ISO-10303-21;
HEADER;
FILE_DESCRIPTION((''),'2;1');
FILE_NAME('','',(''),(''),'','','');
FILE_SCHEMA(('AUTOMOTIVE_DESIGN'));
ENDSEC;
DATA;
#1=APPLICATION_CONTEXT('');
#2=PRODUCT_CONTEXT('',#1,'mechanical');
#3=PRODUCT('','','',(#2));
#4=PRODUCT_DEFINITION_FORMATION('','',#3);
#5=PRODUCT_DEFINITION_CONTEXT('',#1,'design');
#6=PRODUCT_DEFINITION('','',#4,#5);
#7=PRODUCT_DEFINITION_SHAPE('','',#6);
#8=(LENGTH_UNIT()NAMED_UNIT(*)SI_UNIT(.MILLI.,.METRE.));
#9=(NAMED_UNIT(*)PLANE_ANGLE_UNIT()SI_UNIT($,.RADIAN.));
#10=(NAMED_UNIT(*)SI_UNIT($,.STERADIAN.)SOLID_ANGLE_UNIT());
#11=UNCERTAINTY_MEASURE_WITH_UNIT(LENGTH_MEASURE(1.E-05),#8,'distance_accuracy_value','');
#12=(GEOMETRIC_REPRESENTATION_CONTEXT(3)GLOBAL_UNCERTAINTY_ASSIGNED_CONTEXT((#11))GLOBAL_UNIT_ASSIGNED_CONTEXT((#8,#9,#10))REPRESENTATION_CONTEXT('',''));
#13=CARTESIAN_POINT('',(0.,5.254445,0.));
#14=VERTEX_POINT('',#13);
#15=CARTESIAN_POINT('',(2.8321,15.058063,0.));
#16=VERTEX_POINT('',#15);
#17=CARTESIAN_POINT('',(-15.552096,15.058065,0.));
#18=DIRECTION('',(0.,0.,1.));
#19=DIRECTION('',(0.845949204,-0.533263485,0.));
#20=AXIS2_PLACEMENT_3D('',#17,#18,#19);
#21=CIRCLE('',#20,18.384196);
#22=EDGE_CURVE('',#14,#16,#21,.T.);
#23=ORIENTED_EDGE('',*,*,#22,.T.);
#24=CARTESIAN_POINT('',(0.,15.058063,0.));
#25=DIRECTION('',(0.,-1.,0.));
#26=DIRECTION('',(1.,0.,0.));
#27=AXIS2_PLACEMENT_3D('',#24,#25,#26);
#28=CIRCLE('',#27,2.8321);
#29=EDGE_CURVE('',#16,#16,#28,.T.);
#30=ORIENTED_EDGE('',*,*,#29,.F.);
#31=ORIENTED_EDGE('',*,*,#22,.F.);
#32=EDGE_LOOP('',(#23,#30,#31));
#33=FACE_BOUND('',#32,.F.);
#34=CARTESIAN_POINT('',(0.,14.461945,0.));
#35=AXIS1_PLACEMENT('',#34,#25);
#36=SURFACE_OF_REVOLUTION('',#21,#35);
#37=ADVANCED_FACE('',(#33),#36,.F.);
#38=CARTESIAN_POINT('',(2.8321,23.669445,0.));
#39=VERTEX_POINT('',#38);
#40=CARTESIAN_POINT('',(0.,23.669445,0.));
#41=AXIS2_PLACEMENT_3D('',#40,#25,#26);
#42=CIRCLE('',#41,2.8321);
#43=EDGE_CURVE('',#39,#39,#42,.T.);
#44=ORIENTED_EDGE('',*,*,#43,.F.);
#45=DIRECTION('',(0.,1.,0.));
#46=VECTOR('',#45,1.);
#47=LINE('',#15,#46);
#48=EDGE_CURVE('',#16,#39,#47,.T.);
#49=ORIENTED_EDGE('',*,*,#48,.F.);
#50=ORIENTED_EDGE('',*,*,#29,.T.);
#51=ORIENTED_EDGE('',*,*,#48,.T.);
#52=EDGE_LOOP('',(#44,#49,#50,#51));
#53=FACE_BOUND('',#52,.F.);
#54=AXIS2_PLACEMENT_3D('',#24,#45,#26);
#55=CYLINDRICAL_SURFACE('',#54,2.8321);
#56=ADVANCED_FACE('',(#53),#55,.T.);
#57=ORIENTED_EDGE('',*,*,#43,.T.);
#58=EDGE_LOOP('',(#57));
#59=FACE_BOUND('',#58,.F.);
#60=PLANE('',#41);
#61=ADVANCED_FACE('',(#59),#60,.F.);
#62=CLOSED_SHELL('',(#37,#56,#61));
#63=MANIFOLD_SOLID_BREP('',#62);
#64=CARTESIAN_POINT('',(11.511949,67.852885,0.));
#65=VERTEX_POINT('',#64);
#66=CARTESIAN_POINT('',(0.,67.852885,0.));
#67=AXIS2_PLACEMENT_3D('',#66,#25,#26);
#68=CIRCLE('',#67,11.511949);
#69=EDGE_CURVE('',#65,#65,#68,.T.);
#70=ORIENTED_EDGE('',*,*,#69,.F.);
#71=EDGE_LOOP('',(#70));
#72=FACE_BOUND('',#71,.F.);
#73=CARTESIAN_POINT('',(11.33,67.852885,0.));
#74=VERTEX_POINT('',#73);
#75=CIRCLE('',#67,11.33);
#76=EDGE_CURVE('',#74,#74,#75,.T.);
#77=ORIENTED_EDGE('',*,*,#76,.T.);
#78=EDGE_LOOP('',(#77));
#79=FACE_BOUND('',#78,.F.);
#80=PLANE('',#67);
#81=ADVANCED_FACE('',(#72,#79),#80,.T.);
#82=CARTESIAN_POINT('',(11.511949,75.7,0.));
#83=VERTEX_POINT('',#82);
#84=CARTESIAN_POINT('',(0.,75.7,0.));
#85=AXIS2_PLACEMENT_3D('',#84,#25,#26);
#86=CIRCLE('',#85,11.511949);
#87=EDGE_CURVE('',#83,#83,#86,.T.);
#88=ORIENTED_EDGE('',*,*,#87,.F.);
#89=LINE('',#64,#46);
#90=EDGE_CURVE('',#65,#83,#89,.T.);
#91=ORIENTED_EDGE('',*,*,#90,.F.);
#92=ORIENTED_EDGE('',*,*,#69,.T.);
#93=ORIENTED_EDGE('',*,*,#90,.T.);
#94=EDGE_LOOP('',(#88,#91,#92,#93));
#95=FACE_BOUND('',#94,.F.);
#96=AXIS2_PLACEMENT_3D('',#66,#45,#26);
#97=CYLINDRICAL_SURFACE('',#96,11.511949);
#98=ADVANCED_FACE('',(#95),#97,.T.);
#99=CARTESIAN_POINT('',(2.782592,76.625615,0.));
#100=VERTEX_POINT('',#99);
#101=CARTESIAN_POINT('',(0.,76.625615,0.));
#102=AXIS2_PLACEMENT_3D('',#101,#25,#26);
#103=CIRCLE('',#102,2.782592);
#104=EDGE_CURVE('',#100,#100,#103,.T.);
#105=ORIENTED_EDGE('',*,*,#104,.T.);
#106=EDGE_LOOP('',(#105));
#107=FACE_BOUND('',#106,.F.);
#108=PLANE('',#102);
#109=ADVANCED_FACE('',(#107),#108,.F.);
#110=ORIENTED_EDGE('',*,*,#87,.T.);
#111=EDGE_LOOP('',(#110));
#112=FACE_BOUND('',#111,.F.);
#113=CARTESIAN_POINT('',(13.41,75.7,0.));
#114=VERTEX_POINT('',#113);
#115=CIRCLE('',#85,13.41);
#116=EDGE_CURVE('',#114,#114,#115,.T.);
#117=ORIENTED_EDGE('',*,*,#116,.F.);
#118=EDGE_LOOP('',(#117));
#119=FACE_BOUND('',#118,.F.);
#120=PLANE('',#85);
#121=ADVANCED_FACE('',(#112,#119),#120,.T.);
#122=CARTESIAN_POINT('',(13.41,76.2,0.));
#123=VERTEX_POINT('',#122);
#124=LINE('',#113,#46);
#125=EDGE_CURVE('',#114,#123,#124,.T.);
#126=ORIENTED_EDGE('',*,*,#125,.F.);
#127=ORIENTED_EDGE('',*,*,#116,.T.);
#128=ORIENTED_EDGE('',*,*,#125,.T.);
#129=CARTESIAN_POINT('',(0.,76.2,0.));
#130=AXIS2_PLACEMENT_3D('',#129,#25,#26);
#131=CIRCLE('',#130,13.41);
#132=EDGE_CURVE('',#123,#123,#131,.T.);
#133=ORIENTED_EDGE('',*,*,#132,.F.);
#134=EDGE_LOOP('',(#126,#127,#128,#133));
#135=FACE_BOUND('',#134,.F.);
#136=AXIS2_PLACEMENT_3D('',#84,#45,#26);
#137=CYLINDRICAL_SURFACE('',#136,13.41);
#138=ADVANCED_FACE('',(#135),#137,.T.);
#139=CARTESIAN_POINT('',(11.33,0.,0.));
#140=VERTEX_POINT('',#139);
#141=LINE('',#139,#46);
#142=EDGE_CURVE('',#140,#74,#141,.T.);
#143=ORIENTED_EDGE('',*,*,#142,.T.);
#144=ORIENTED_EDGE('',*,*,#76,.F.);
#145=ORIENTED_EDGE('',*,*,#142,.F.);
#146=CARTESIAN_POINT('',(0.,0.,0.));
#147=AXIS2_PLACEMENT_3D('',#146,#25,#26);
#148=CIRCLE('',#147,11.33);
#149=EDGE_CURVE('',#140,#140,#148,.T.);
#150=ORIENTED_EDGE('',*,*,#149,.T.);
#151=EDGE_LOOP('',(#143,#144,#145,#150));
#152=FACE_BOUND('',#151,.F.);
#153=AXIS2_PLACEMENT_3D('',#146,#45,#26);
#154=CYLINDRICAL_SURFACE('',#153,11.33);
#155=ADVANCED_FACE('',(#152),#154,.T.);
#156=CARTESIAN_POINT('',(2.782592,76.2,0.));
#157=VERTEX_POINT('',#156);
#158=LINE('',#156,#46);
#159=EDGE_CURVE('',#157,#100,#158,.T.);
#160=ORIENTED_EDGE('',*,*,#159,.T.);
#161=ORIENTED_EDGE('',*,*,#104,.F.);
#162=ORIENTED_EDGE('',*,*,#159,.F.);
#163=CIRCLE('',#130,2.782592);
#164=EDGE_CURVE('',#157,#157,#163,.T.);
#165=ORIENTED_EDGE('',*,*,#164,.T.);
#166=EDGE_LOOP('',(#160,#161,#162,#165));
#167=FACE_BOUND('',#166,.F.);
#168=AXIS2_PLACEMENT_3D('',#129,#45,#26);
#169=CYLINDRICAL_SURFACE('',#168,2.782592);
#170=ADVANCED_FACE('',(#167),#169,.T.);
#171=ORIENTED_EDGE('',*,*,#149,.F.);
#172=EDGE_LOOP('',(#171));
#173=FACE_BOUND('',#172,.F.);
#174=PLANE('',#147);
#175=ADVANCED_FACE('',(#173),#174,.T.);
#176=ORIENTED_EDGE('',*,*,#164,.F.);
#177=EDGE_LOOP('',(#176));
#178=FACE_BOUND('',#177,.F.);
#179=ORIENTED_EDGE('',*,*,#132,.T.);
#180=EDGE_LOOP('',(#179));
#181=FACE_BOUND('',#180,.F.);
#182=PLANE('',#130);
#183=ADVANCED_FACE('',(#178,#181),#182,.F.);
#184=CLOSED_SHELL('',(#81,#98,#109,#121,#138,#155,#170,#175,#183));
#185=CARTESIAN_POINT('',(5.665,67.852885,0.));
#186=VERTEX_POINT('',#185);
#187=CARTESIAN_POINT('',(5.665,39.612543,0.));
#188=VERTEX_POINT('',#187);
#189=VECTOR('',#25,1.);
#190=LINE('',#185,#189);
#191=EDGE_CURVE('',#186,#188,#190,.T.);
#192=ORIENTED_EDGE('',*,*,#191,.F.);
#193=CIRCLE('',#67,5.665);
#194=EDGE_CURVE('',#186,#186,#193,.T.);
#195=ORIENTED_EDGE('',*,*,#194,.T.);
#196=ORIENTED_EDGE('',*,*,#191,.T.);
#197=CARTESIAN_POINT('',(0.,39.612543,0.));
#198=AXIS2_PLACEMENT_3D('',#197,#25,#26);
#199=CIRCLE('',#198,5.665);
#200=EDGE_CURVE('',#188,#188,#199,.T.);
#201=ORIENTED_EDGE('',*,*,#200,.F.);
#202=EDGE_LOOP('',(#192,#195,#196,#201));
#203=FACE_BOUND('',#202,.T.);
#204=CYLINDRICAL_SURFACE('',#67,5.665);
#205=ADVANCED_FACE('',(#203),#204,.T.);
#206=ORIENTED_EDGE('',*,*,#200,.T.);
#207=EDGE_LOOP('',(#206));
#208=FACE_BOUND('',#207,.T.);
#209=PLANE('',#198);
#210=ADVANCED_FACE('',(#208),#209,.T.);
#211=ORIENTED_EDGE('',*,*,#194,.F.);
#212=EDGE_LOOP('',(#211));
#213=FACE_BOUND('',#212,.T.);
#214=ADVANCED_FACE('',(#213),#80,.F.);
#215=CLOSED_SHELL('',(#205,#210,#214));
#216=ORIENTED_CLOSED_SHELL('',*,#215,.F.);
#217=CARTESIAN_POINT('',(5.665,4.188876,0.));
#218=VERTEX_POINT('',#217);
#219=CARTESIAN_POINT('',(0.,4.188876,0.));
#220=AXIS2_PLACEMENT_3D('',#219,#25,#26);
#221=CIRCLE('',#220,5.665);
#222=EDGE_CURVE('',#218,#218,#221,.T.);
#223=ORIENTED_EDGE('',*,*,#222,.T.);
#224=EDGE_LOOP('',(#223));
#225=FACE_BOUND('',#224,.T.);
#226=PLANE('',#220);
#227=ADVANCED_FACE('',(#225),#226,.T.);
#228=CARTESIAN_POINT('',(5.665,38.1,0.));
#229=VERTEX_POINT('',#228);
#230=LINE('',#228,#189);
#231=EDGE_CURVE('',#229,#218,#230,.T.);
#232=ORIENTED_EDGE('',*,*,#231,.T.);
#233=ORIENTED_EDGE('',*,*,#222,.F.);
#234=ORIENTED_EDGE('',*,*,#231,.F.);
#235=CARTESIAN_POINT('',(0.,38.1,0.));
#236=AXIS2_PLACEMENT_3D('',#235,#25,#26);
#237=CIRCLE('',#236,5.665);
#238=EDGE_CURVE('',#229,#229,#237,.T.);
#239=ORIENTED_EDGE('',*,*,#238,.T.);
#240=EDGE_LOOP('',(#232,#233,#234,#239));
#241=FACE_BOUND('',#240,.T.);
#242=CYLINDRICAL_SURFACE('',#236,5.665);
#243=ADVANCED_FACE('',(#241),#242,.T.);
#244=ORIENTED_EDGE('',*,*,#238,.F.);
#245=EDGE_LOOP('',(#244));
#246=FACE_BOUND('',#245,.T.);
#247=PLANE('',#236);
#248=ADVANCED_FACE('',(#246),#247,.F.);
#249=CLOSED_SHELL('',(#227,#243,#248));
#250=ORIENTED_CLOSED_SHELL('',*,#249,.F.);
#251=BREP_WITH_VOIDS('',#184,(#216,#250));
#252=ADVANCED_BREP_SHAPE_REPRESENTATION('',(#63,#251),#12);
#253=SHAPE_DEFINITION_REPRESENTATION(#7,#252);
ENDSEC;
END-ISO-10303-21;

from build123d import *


with BuildPart() as f2:
    # F1 (on Top) → F2 (revolve)
    with BuildSketch(Plane.XY):
        with BuildLine():
            Line((2.8321, 23.669445), (0, 23.669445))
            Line((0, 23.669445), (0, 5.254445))
            ThreePointArc((0, 5.254445), (2.109889, 9.955816), (2.8321, 15.058063))
            Line((2.8321, 15.058063), (2.8321, 23.669445))
        make_face()
    revolve(axis=Axis((0, 14.461945, 0), (0, -1, 0)))


with BuildPart() as f3:
    # F0 (on Top) → F3 (revolve)
    with BuildSketch(Plane.XY):
        Polygon((0, 4.188876), (0, 0), (11.33, 0), (11.33, 67.852885), (11.511949, 67.852885), (11.511949, 75.7), (13.41, 75.7), (13.41, 76.2), (2.782592, 76.2), (2.782592, 76.625615), (0, 76.625615), (0, 76.2), (0, 67.852885), (5.665, 67.852885), (5.665, 39.612543), (0, 39.612543), (0, 38.1), (5.665, 38.1), (5.665, 4.188876), align=None)
    revolve(axis=Axis((0, 72.026442, 0), (0, -1, 0)))


solid = Compound([f2.part, f3.part])
